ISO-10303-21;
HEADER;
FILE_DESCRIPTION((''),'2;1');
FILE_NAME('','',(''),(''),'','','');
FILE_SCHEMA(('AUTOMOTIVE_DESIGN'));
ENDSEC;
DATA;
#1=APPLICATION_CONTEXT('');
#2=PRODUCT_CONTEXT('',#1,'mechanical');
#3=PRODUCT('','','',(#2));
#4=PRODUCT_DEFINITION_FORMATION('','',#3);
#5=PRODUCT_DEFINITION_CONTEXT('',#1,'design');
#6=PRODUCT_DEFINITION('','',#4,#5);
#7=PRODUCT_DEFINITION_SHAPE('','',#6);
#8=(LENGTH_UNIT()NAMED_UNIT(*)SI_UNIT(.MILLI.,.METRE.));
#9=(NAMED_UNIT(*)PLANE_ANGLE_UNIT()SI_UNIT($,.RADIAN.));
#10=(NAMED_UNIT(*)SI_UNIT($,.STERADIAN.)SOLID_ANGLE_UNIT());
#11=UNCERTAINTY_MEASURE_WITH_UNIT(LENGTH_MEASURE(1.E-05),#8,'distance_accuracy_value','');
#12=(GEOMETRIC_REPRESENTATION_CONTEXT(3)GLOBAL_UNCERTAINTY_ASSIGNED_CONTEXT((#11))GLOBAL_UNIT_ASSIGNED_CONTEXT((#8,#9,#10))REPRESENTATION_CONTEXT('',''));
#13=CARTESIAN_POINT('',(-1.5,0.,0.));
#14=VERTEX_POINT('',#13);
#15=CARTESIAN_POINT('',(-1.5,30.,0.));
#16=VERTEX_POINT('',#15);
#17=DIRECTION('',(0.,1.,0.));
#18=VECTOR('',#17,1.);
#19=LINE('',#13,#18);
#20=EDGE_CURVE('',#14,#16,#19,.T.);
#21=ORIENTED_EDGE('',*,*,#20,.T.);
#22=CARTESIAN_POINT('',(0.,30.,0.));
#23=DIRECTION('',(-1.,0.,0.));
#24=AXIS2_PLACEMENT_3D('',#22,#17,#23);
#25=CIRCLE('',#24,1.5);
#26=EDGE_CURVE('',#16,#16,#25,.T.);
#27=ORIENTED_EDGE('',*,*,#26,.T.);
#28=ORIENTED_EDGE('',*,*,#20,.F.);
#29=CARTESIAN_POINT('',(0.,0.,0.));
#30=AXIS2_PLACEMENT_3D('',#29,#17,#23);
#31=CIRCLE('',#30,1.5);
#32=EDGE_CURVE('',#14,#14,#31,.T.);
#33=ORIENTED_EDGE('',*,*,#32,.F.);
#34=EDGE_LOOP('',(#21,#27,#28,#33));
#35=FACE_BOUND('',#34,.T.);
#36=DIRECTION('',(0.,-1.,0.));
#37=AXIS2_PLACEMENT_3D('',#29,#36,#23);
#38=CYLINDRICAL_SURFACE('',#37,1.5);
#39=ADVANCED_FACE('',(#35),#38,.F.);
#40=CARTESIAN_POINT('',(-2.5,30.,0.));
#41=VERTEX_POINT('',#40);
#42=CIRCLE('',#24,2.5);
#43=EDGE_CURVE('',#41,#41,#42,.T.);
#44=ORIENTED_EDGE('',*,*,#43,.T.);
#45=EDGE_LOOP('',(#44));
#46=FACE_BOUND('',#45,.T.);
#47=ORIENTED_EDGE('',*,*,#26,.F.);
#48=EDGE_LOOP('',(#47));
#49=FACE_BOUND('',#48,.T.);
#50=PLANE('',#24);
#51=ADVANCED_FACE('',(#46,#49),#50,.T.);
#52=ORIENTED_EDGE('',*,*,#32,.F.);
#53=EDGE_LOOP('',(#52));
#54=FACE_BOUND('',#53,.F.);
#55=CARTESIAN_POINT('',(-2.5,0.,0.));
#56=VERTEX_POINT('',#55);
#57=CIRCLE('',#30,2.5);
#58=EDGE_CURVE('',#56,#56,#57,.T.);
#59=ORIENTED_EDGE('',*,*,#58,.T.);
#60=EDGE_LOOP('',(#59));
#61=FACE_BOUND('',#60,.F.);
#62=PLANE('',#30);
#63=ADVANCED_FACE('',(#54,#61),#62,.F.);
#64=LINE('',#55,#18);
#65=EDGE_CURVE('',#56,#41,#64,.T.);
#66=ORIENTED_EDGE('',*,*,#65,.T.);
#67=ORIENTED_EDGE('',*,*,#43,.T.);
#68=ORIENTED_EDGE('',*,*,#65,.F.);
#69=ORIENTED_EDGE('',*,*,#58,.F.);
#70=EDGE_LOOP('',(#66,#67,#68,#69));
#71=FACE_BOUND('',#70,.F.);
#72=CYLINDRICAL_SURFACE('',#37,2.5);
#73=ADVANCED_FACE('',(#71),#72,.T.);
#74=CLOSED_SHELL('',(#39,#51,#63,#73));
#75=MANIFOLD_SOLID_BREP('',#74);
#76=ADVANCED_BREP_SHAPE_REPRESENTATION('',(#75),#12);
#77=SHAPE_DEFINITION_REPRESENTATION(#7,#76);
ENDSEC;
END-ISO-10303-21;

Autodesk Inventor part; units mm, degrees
ref_plane "YZ Plane" through (0, 0, 0) normal (1, 0, 0) x (0, 1, 0)
ref_plane "XZ Plane" through (0, 0, 0) normal (0, 1, 0) x (-1, 0, 0)
ref_plane "XY Plane" through (0, 0, 0) normal (0, 0, 1) x (1, 0, 0)
sketch "Эскиз1" plane through (0, 0, 0) normal (0, 1, 0) x (-1, 0, 0)
  circle A0 centre (0, 0) radius 1.5
  circle A1 centre (0, 0) radius 2.5
  dimension "d0" = 3
  dimension "d1" = 5
extrude "Выдавливание1" add sketch "Эскиз1" along normal blind 30
thread "Резьба1" size "M3x0.5" class "6H" standard "ISO Metric profile" full length
properties part number "Шпилька"
